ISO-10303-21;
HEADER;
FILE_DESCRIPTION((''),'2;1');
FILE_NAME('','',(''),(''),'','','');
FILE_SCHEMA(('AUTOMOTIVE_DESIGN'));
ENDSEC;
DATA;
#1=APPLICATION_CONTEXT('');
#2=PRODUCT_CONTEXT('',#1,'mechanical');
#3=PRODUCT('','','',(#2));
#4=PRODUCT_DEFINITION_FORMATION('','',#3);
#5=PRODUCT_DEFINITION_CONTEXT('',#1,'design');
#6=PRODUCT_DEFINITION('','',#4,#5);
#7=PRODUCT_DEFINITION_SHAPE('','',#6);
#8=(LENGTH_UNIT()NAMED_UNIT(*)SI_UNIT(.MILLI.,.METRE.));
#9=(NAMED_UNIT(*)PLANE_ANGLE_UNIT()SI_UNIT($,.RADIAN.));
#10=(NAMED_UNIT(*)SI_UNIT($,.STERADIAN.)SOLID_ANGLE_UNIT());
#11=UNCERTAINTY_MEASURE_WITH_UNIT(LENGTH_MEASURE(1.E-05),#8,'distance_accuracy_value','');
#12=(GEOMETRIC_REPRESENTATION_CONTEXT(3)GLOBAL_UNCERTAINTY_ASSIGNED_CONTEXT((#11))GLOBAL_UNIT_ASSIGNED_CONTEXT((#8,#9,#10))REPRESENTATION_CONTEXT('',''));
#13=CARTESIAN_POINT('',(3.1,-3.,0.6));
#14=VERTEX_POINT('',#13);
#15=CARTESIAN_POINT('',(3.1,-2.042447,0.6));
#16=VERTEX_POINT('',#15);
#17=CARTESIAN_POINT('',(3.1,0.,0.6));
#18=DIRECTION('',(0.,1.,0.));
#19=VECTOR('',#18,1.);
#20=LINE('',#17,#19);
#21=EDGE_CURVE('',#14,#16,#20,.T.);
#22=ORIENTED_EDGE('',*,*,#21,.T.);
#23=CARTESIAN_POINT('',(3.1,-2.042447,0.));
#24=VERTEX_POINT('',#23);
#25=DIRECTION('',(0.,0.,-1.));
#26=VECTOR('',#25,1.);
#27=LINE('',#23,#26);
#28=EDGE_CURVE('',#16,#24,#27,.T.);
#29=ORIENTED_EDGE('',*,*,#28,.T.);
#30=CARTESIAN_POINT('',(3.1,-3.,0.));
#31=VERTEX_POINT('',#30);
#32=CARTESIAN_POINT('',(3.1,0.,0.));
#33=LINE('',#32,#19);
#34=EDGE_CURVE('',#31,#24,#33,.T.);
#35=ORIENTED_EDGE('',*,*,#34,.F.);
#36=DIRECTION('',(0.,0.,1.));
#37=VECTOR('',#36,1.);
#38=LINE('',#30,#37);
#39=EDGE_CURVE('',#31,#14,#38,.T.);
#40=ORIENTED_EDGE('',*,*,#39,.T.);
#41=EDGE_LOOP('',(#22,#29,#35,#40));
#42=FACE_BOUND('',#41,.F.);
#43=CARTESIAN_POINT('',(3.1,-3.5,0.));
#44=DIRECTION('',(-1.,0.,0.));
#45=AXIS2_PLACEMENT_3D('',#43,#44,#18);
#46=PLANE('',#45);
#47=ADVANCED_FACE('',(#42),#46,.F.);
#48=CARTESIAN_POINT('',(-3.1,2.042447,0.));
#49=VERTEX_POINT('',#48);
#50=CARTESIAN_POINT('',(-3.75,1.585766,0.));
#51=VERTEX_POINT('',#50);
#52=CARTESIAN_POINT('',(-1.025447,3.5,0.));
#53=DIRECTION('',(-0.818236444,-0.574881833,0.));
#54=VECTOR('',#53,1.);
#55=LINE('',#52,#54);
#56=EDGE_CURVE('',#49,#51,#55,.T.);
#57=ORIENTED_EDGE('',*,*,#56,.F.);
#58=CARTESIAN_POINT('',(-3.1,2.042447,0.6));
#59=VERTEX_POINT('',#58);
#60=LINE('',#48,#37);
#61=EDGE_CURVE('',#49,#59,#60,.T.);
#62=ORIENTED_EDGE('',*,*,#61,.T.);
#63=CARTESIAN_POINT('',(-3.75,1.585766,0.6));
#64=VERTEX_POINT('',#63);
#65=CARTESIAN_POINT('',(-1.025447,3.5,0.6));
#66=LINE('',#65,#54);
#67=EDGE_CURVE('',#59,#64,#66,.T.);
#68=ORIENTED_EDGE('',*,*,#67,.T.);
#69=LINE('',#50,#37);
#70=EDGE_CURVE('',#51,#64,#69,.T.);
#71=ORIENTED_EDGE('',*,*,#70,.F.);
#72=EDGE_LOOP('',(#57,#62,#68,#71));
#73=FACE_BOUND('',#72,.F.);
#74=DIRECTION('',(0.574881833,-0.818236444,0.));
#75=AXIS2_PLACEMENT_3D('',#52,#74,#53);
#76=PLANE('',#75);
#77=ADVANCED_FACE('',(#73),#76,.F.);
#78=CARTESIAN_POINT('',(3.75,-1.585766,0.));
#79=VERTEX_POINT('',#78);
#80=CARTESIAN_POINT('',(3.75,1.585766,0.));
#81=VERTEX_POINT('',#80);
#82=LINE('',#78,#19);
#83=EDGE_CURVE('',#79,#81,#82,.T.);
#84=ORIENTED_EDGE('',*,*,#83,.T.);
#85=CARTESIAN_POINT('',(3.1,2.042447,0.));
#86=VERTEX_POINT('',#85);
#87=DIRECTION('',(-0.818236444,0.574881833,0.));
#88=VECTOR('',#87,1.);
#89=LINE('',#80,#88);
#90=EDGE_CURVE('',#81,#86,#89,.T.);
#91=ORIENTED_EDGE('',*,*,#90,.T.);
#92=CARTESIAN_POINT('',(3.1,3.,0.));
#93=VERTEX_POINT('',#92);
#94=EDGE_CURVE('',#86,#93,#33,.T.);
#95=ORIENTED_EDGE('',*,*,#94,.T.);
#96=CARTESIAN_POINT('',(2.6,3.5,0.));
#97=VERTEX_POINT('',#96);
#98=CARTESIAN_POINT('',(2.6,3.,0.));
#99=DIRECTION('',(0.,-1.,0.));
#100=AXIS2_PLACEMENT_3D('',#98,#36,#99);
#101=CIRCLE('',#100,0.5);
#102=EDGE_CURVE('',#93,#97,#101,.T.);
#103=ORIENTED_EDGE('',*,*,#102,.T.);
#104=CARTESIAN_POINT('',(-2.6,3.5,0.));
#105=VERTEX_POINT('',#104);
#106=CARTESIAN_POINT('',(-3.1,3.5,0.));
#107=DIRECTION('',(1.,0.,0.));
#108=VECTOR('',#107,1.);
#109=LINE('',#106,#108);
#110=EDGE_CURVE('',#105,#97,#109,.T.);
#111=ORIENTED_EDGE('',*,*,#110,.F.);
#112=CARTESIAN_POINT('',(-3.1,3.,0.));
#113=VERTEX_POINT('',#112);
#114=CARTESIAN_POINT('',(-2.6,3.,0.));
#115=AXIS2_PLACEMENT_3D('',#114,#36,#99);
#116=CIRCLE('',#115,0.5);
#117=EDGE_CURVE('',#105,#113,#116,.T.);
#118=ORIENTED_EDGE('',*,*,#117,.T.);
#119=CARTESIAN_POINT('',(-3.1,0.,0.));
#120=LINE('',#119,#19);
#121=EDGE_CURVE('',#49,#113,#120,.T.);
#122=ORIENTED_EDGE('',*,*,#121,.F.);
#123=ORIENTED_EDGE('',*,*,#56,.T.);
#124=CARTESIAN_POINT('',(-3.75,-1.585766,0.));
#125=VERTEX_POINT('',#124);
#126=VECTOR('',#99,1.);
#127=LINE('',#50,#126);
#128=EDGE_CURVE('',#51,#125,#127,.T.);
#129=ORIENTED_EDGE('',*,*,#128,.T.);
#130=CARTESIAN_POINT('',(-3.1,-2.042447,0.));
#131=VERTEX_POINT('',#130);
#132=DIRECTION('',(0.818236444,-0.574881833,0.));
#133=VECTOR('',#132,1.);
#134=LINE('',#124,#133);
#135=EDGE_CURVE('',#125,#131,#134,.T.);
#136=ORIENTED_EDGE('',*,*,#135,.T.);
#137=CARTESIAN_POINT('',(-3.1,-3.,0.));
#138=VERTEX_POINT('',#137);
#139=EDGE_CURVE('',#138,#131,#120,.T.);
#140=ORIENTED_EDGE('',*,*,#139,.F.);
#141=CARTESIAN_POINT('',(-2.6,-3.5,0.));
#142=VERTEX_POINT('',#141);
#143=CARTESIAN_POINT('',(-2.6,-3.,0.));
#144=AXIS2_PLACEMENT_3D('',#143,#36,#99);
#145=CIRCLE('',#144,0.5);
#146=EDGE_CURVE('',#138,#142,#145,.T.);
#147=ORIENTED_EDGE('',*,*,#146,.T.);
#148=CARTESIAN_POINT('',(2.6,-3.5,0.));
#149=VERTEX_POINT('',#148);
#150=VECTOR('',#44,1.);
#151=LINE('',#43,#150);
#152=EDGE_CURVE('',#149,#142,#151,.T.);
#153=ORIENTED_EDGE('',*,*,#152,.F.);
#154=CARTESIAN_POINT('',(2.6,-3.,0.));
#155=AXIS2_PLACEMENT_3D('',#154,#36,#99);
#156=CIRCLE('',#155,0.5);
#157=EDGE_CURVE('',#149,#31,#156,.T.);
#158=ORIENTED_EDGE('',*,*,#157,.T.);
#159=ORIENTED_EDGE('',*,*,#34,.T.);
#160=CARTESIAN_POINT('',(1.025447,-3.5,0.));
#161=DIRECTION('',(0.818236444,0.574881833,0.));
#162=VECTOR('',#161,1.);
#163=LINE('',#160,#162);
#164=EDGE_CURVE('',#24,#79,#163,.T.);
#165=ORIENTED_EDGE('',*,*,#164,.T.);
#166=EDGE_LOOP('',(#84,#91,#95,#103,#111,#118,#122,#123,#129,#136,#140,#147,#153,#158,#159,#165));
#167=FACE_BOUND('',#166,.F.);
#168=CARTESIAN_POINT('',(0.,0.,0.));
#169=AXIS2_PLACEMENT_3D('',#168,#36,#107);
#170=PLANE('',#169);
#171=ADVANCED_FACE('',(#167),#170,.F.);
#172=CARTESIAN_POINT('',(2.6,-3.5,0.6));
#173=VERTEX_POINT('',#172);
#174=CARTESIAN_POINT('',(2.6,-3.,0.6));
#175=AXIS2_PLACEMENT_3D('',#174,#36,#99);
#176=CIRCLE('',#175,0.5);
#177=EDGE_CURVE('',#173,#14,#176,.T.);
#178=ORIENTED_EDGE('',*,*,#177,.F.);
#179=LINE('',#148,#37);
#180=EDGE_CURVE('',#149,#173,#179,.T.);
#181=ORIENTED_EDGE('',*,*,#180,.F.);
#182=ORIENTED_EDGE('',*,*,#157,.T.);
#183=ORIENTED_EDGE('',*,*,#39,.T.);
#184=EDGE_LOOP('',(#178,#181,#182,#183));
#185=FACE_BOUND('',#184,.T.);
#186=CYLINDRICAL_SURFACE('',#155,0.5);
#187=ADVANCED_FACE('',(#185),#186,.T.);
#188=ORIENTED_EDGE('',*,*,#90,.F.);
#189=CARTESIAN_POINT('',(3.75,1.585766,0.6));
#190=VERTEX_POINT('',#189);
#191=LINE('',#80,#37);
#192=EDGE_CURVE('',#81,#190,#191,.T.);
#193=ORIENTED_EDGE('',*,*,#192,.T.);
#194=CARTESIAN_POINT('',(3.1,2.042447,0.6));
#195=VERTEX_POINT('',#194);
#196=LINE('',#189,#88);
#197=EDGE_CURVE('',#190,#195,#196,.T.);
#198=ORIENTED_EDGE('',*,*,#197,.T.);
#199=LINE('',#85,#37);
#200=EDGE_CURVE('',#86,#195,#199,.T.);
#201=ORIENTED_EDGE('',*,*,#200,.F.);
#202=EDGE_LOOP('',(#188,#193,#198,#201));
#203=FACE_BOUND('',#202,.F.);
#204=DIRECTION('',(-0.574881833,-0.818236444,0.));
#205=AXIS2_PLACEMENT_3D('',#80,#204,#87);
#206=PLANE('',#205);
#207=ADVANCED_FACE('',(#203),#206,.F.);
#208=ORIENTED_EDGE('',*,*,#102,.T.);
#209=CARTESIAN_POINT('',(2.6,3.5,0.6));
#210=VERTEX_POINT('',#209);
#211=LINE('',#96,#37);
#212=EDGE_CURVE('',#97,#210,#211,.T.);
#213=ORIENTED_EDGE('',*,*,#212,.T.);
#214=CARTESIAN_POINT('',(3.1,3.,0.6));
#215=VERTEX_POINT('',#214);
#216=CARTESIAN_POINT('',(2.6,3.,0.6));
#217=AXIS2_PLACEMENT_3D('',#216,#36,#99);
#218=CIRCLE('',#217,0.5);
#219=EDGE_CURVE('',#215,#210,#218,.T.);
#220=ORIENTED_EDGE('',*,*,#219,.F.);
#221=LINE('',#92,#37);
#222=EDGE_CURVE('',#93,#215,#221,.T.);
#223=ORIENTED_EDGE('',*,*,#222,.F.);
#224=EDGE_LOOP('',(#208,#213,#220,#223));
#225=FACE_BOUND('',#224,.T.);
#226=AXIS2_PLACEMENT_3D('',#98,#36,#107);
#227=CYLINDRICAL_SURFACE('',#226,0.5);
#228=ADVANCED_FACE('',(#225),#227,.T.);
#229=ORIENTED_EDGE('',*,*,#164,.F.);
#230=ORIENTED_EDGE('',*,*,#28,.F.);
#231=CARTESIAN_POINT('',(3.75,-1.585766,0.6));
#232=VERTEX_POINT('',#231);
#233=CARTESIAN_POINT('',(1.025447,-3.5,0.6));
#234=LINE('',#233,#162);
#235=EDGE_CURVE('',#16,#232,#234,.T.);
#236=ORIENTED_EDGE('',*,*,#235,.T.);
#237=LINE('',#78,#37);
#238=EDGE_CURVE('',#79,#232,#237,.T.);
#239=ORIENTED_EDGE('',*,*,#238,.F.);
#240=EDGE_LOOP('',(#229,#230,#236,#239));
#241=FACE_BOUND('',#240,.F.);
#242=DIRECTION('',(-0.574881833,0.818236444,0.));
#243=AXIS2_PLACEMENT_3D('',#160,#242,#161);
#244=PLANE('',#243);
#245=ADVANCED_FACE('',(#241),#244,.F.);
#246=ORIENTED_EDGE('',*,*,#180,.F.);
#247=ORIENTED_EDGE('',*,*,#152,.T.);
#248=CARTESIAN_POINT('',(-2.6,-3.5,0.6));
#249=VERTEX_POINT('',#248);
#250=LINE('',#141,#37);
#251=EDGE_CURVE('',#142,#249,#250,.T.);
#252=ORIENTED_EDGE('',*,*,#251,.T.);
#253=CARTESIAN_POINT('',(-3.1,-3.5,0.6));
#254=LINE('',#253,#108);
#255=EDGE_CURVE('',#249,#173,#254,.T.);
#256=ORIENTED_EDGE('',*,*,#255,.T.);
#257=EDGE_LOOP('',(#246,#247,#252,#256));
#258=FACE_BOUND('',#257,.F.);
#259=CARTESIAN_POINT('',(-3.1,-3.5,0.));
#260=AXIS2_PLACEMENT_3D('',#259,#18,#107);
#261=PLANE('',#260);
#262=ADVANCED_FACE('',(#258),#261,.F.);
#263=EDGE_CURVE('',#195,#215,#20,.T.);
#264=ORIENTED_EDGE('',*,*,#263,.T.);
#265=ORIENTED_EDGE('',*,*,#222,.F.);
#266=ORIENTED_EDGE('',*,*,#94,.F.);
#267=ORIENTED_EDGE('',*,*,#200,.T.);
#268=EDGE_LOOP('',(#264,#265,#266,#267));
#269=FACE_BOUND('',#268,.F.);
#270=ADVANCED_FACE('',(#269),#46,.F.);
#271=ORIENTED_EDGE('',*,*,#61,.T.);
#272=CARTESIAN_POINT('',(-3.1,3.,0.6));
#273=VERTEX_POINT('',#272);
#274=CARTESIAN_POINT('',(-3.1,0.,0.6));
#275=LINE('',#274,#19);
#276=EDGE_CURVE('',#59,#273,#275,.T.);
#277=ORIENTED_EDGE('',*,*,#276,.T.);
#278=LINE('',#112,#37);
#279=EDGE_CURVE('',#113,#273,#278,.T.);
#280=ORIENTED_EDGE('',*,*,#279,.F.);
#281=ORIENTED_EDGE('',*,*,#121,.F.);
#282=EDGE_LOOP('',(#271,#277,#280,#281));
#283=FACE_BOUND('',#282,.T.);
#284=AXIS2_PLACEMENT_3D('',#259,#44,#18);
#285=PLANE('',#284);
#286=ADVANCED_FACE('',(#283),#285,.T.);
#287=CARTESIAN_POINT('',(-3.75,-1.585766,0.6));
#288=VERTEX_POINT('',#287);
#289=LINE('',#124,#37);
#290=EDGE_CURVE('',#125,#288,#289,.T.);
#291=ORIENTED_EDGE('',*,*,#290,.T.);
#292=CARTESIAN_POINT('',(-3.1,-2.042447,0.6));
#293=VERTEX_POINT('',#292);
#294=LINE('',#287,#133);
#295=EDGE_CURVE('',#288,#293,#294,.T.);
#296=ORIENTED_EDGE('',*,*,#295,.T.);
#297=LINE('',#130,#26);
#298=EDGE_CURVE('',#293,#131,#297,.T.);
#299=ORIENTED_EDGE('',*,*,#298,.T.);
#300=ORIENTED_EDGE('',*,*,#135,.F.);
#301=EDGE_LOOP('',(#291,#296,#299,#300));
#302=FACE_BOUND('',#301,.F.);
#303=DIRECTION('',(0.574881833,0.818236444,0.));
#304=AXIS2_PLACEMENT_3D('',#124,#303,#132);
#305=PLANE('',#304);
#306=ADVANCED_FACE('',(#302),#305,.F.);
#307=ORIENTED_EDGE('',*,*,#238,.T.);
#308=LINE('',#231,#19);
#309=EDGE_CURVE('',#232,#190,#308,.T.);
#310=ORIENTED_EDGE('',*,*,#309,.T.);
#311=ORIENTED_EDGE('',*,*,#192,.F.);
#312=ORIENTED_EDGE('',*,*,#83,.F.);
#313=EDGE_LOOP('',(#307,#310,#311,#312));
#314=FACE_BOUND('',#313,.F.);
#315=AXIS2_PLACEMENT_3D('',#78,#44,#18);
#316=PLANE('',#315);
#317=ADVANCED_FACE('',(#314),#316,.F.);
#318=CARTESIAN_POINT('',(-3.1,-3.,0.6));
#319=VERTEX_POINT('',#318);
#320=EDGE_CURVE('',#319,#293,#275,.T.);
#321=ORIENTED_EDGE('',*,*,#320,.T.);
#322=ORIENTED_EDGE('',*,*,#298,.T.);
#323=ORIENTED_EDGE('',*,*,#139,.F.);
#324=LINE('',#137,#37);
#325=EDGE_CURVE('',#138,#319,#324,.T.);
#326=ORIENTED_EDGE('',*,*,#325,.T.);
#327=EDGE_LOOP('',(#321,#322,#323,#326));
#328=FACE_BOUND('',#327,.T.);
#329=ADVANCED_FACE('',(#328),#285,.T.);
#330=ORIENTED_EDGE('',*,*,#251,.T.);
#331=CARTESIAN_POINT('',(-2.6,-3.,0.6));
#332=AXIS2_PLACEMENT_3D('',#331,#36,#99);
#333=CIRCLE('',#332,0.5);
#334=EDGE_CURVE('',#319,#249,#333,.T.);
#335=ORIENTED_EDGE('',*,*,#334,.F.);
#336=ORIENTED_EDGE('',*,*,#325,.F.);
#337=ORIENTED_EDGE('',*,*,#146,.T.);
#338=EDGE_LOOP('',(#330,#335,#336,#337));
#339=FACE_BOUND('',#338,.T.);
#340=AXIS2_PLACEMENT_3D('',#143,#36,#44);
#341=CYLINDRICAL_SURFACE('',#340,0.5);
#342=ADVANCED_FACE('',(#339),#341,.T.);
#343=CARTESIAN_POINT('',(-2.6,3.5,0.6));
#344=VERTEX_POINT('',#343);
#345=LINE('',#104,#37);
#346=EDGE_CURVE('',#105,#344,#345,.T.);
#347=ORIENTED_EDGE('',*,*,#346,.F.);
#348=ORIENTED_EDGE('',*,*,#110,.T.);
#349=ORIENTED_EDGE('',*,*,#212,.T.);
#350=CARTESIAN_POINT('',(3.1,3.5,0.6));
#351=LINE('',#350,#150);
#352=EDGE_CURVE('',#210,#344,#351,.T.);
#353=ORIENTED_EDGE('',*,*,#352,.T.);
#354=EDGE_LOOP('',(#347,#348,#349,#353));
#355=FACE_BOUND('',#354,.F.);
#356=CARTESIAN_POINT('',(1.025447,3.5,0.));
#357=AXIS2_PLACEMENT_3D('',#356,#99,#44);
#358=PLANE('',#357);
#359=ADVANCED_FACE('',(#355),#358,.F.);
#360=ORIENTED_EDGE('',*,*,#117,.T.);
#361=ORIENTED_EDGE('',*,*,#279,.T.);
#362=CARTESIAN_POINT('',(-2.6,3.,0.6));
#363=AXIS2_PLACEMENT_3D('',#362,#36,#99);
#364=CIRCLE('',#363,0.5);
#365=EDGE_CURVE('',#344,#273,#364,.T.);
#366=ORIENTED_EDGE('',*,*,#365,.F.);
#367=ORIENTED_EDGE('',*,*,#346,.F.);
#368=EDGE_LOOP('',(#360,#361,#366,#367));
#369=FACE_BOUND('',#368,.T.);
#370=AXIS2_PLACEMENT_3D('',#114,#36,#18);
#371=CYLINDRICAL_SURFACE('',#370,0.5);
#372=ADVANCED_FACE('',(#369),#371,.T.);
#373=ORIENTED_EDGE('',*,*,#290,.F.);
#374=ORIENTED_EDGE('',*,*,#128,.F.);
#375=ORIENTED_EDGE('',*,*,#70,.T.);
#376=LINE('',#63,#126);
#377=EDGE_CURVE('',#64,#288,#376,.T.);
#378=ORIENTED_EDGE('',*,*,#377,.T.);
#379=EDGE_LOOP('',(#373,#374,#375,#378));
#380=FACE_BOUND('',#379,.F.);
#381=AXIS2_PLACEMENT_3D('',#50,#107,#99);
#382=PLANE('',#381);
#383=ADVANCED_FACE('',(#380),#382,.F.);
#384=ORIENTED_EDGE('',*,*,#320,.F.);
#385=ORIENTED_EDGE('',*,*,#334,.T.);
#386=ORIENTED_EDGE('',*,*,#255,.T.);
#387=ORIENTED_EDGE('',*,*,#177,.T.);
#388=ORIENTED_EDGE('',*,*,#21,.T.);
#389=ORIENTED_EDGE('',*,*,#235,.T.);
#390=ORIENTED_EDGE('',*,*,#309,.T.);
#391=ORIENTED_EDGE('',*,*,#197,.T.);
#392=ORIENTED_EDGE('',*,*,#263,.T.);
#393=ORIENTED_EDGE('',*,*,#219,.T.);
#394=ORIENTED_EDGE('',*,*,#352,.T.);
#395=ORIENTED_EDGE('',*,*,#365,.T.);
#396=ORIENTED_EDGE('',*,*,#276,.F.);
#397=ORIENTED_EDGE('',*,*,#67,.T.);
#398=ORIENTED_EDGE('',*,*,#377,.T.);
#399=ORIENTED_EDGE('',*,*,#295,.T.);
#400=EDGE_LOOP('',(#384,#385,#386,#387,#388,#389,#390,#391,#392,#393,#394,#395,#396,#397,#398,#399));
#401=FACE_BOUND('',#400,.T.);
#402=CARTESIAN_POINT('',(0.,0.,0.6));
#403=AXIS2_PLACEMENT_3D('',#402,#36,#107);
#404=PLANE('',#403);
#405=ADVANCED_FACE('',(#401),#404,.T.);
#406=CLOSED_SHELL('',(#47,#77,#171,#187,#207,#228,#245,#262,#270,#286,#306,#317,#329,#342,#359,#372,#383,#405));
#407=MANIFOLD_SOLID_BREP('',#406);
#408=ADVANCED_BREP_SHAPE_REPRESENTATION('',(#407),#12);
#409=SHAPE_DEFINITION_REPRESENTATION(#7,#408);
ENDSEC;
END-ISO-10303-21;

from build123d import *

# Parameters (mm, degrees)
F0_W     = 6.2
F0_H     = 7
F2_DEPTH = 0.6
F4_R     = 0.5


with BuildPart() as f2:
    # F1 (on Top) + F0 (on Top) → F2 (new body)
    with BuildSketch(Plane.XY):
        Polygon((1.025447, 3.5), (0, 3.5), (-1.025447, 3.5), (-3.75, 1.585766), (-3.75, 0), (-3.75, -1.585766), (-1.025447, -3.5), (0, -3.5), (1.025447, -3.5), (3.75, -1.585766), (3.75, 0), (3.75, 1.585766), align=None)
    with BuildSketch(Plane.XY):
        Rectangle(F0_W, F0_H)
    extrude(amount=F2_DEPTH)

    # F3: union 

    # F4
    f4_edges = [f2.edges().sort_by_distance(p)[0] for p in [
        (-3.1, 3.5, 0.3),
        (-3.1, -3.5, 0.3),
        (3.1, -3.5, 0.3),
        (3.1, 3.5, 0.3),
    ]]
    fillet(f4_edges, radius=F4_R)


solid = f2.part
